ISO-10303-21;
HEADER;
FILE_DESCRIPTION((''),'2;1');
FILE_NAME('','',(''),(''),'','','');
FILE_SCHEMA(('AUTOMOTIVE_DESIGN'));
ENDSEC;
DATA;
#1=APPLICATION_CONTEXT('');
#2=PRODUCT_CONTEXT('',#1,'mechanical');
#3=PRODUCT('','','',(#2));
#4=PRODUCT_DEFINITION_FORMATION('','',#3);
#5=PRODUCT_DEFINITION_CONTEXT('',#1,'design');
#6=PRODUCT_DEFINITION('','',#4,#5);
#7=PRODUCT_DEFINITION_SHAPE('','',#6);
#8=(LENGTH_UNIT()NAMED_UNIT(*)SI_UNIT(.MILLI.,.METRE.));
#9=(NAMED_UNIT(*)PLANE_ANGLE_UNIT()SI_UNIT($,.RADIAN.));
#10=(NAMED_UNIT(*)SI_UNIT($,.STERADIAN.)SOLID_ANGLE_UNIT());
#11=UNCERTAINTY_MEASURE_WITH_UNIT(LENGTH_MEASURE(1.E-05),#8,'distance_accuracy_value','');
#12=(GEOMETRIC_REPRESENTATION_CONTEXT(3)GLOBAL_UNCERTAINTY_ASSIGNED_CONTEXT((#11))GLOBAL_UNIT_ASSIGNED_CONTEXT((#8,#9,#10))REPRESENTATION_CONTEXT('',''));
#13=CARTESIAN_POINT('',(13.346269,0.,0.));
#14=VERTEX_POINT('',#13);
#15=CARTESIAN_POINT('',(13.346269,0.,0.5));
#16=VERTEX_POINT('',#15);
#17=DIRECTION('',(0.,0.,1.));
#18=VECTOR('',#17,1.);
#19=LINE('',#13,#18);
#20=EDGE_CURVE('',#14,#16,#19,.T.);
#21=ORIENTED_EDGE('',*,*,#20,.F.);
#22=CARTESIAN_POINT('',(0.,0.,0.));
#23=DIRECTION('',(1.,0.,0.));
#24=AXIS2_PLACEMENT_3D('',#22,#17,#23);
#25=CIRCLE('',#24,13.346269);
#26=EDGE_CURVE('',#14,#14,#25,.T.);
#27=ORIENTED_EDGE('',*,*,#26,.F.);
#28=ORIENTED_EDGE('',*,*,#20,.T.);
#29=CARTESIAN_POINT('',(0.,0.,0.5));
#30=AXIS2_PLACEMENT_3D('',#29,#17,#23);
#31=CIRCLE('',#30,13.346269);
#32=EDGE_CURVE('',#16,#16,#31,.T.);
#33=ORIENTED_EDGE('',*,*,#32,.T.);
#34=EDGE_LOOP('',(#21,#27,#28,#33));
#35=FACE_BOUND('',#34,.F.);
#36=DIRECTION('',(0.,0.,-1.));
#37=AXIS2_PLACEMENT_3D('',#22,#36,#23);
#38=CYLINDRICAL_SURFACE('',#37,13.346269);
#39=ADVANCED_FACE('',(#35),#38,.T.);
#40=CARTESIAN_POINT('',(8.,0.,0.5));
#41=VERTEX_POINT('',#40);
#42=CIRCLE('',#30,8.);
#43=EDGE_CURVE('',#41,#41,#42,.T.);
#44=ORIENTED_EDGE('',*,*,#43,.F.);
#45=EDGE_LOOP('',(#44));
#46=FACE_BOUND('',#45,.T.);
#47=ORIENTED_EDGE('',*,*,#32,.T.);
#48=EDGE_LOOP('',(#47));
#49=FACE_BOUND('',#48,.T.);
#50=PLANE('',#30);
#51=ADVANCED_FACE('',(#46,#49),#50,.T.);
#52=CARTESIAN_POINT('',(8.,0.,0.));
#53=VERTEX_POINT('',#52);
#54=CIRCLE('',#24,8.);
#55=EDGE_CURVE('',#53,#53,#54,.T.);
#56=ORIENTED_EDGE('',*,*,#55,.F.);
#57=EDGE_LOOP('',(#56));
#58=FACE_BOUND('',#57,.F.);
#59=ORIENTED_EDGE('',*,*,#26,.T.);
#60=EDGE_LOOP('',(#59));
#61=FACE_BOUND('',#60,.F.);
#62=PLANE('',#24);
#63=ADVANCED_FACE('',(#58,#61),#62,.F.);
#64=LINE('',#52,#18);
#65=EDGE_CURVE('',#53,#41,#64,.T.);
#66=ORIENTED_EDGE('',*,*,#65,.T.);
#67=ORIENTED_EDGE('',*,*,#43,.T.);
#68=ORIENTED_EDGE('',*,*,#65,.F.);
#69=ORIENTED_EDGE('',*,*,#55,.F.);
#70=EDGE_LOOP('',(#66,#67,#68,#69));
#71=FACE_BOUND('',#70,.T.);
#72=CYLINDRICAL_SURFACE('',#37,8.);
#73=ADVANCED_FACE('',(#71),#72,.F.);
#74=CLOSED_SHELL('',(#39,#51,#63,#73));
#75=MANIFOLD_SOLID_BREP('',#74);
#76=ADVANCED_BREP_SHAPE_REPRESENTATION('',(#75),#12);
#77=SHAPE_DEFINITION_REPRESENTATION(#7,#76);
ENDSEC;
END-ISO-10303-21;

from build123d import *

# Parameters (mm, degrees)
F0_R     = 13.3462688685
F0_R_2   = 10.7833271779
F0_R_3   = 8
F1_DEPTH = 0.5


with BuildPart() as f1:
    # F0 (on Top) → F1 (new body)
    with BuildSketch(Plane.XY):
        Circle(F0_R)
        Circle(F0_R_2, mode=Mode.SUBTRACT)
        Circle(F0_R_2)
        Circle(F0_R_3, mode=Mode.SUBTRACT)
    extrude(amount=F1_DEPTH)


solid = f1.part
